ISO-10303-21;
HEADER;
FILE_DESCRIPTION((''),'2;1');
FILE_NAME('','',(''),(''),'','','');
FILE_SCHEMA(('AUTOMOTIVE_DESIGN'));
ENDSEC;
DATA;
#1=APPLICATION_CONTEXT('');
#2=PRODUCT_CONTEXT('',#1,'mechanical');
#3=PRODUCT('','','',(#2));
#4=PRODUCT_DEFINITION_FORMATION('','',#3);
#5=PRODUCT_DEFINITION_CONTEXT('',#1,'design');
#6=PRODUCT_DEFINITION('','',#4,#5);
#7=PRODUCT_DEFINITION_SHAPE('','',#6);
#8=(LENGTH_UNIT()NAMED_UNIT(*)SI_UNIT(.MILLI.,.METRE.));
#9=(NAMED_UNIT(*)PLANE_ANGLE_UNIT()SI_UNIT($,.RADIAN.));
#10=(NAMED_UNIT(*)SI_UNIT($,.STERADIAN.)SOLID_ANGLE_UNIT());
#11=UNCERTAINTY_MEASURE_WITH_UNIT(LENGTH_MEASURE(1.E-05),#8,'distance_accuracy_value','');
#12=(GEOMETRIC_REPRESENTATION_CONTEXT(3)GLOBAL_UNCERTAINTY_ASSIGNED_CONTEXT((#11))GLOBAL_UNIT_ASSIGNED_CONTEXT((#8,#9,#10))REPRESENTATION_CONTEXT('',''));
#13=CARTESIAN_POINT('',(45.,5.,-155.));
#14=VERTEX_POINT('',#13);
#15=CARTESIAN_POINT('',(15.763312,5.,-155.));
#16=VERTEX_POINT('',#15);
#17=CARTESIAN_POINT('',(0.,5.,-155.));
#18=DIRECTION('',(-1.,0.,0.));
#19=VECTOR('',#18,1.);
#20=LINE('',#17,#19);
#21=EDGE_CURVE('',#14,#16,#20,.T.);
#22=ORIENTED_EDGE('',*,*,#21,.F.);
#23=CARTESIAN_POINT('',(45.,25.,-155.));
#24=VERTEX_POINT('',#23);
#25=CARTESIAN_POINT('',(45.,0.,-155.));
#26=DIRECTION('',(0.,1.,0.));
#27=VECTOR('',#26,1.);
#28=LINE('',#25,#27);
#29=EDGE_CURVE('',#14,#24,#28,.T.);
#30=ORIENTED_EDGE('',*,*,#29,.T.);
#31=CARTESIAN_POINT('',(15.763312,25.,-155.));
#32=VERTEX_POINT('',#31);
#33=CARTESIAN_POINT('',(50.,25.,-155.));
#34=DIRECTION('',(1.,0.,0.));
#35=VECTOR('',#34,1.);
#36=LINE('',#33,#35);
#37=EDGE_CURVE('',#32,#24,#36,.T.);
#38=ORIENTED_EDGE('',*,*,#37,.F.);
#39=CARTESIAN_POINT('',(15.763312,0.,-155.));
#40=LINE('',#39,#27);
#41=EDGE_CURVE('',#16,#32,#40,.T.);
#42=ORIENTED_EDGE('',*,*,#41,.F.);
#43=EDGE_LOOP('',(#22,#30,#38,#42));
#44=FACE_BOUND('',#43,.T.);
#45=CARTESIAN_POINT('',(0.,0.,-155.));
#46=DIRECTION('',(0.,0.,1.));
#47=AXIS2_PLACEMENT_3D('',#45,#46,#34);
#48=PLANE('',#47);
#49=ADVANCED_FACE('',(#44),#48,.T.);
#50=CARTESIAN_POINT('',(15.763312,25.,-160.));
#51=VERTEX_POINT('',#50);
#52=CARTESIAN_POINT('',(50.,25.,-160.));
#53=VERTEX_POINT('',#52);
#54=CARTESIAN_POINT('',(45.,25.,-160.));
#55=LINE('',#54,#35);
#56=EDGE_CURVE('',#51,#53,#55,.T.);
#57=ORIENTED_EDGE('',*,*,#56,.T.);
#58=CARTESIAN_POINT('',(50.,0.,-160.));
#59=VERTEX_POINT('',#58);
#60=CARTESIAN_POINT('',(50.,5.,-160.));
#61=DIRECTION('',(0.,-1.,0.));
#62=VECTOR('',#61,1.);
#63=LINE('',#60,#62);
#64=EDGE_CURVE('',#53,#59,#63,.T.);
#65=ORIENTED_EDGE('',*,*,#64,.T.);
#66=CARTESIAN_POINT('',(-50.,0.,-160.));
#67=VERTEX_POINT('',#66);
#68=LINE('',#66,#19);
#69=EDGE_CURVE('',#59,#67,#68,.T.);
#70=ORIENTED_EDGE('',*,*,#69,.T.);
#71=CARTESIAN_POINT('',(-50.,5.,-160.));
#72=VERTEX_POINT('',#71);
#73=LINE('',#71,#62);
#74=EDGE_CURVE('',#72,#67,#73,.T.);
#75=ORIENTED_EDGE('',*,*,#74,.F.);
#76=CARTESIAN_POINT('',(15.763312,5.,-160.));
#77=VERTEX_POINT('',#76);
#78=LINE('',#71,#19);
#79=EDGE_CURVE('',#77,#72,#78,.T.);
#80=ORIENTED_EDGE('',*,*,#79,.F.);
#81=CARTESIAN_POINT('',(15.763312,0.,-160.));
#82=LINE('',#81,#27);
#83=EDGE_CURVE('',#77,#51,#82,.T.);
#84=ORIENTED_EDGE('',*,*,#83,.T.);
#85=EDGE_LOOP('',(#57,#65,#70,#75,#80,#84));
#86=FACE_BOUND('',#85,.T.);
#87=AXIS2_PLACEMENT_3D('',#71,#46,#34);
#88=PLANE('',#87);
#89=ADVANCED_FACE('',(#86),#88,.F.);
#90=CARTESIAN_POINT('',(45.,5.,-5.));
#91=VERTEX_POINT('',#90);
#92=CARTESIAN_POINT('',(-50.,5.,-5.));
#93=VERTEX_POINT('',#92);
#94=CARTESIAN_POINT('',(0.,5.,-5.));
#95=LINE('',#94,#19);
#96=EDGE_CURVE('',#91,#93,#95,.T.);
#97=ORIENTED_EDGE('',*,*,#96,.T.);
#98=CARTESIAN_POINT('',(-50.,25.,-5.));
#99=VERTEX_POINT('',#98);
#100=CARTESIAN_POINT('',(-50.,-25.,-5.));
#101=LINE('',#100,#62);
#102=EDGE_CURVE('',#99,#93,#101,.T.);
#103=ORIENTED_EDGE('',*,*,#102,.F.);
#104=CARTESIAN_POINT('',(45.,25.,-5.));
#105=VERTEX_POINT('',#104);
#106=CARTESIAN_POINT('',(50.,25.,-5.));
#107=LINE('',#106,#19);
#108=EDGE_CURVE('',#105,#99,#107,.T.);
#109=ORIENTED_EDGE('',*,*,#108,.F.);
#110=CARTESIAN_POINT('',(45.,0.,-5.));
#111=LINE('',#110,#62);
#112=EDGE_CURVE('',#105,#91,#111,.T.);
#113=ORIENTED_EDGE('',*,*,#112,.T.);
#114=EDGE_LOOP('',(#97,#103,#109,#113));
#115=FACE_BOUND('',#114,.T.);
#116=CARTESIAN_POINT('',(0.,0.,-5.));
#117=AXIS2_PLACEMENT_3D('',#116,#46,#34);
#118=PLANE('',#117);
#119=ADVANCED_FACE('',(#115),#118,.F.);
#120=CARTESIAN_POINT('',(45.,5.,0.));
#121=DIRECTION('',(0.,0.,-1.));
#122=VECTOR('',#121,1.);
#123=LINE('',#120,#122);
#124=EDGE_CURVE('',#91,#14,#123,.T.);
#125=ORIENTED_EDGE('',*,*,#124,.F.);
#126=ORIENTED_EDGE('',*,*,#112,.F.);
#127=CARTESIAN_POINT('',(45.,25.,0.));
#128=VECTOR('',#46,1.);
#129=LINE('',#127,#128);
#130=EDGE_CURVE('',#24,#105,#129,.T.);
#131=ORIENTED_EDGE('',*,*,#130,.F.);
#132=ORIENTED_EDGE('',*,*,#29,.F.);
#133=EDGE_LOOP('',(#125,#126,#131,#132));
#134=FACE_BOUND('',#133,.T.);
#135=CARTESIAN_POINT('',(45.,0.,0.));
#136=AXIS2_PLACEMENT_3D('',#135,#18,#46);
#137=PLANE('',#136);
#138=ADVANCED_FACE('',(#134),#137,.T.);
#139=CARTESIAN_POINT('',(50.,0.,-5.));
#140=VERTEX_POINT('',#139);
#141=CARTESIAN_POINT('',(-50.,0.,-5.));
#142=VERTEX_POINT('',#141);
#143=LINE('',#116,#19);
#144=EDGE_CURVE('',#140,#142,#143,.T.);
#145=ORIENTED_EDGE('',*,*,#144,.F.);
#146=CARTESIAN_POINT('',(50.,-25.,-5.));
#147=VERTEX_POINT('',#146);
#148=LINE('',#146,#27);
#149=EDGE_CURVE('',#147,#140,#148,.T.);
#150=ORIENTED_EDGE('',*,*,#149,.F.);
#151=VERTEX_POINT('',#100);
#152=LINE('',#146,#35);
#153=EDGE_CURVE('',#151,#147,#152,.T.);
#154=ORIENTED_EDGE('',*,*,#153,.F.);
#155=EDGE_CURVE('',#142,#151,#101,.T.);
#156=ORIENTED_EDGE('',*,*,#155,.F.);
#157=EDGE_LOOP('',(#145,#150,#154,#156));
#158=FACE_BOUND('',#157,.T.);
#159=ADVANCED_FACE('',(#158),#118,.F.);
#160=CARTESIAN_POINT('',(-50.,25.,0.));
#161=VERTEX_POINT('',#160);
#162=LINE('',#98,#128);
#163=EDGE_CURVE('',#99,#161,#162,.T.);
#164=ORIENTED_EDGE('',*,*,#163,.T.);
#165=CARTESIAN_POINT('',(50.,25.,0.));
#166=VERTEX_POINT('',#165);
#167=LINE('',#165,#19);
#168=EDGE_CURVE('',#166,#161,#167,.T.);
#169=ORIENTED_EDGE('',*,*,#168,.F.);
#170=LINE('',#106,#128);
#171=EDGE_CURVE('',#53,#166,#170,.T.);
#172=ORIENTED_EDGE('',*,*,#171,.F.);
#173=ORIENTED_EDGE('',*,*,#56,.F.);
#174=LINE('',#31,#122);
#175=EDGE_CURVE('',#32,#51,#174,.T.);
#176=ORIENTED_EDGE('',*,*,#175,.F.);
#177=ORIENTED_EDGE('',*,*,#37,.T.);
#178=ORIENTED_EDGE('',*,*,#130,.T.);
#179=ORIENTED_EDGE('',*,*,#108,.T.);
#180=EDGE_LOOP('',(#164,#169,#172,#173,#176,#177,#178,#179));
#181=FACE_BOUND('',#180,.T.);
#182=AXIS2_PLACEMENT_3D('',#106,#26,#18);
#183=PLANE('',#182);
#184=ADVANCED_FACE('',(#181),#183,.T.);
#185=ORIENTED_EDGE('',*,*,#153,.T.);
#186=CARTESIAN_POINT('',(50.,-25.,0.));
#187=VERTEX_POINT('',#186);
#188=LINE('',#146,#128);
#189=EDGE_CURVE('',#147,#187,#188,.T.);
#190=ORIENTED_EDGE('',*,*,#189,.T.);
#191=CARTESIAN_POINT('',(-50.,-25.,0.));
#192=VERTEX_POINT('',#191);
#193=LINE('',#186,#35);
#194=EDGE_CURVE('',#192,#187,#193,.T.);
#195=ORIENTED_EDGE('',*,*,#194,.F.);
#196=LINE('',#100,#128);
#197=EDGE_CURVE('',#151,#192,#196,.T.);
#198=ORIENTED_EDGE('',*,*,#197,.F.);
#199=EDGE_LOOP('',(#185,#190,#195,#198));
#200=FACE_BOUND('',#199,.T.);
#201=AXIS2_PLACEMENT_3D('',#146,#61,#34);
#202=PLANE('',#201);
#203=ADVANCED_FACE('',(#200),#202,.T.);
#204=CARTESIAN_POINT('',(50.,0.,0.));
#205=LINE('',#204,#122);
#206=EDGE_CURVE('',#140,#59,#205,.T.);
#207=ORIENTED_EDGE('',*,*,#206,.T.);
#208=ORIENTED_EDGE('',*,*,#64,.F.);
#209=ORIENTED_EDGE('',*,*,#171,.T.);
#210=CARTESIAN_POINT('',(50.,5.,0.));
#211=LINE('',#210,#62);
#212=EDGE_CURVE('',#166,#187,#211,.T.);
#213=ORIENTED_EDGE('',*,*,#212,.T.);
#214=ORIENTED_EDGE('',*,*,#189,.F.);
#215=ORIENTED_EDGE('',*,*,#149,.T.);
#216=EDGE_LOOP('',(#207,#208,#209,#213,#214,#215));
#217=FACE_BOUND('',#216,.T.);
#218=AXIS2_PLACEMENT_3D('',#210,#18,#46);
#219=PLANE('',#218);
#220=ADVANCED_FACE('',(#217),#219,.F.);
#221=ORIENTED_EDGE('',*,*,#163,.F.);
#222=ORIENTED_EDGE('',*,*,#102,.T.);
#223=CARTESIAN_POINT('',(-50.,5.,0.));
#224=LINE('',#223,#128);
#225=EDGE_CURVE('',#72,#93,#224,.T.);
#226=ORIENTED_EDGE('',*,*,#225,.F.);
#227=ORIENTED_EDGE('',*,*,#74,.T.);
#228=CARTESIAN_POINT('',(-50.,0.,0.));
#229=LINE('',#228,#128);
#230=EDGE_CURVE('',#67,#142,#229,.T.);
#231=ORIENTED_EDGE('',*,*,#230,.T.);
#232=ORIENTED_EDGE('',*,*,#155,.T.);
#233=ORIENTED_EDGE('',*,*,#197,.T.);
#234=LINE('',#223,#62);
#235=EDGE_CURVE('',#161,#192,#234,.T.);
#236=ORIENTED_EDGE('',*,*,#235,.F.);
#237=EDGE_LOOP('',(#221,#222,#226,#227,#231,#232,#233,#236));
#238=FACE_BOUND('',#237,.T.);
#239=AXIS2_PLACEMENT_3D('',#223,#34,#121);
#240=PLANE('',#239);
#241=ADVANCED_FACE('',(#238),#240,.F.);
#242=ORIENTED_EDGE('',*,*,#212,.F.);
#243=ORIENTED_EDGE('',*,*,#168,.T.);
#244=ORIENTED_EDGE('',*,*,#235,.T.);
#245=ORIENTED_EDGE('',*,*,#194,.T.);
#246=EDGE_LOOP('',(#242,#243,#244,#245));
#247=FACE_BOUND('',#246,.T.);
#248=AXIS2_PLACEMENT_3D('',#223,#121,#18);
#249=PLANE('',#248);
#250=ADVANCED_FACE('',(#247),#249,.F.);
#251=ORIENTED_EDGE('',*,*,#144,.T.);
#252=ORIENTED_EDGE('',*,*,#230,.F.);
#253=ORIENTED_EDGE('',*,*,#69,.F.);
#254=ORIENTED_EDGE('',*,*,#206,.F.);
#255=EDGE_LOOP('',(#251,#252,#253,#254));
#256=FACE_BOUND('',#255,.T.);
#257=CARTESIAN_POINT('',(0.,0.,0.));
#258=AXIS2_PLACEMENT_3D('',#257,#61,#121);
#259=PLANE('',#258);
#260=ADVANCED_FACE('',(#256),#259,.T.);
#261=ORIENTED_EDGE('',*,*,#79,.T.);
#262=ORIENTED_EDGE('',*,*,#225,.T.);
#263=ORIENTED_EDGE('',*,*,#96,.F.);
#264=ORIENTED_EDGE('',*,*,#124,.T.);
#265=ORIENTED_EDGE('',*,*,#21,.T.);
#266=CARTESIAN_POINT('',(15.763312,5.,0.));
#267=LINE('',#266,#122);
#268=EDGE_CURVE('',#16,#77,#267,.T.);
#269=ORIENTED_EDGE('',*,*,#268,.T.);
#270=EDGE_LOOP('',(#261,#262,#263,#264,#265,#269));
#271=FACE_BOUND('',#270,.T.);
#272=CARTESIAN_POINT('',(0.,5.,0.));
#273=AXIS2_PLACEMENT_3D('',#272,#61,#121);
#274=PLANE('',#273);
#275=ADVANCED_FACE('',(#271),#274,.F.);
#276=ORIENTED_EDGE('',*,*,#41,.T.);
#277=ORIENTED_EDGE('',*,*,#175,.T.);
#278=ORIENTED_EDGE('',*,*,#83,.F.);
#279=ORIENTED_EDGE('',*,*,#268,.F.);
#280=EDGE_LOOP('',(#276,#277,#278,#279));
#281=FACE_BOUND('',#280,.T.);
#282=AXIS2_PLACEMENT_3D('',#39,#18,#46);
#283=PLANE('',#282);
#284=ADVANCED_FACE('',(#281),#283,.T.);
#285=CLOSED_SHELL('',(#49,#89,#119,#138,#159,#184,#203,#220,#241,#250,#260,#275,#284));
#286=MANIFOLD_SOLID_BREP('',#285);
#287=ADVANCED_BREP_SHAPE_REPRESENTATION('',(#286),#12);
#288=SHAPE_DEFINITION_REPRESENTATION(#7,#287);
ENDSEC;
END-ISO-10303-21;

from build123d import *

# Parameters (mm, degrees)
SKETCH1_W           = 100
SKETCH1_H           = 160
BOSS_EXTRUDE1_DEPTH = 5
SKETCH2_W           = 100
SKETCH2_H           = 50
BOSS_EXTRUDE2_DEPTH = 5
SKETCH4_W           = 160
SKETCH4_H           = 25
BOSS_EXTRUDE3_DEPTH = 5
SKETCH5_W           = 34.236688448
SKETCH5_H           = 25
BOSS_EXTRUDE4_DEPTH = 5


with BuildPart() as part:
    # Sketch1 → Boss-Extrude1 (new body)
    with BuildSketch(Plane(origin=(0, 0, 0), x_dir=(1, 0, 0), z_dir=(0, 1, 0))):
        with Locations((0, 80)):
            Rectangle(SKETCH1_W, SKETCH1_H)
    extrude(amount=BOSS_EXTRUDE1_DEPTH)

    # Sketch2 → Boss-Extrude2 (add)
    with BuildSketch(Plane.XY):
        Rectangle(SKETCH2_W, SKETCH2_H)
    extrude(amount=-BOSS_EXTRUDE2_DEPTH)

    # Sketch4 → Boss-Extrude3 (add)
    with BuildSketch(Plane(origin=(50, 0, 0), x_dir=(0, 0, -1), z_dir=(1, 0, 0))):
        with Locations((80, 12.5)):
            Rectangle(SKETCH4_W, SKETCH4_H)
    extrude(amount=-BOSS_EXTRUDE3_DEPTH)

    # Sketch5 → Boss-Extrude4 (add)
    with BuildSketch(Plane(origin=(0, 0, -160), x_dir=(-1, 0, 0), z_dir=(0, 0, -1))):
        with Locations((-32.881655776, 12.5)):
            Rectangle(SKETCH5_W, SKETCH5_H)
    extrude(amount=-BOSS_EXTRUDE4_DEPTH)


solid = part.part
